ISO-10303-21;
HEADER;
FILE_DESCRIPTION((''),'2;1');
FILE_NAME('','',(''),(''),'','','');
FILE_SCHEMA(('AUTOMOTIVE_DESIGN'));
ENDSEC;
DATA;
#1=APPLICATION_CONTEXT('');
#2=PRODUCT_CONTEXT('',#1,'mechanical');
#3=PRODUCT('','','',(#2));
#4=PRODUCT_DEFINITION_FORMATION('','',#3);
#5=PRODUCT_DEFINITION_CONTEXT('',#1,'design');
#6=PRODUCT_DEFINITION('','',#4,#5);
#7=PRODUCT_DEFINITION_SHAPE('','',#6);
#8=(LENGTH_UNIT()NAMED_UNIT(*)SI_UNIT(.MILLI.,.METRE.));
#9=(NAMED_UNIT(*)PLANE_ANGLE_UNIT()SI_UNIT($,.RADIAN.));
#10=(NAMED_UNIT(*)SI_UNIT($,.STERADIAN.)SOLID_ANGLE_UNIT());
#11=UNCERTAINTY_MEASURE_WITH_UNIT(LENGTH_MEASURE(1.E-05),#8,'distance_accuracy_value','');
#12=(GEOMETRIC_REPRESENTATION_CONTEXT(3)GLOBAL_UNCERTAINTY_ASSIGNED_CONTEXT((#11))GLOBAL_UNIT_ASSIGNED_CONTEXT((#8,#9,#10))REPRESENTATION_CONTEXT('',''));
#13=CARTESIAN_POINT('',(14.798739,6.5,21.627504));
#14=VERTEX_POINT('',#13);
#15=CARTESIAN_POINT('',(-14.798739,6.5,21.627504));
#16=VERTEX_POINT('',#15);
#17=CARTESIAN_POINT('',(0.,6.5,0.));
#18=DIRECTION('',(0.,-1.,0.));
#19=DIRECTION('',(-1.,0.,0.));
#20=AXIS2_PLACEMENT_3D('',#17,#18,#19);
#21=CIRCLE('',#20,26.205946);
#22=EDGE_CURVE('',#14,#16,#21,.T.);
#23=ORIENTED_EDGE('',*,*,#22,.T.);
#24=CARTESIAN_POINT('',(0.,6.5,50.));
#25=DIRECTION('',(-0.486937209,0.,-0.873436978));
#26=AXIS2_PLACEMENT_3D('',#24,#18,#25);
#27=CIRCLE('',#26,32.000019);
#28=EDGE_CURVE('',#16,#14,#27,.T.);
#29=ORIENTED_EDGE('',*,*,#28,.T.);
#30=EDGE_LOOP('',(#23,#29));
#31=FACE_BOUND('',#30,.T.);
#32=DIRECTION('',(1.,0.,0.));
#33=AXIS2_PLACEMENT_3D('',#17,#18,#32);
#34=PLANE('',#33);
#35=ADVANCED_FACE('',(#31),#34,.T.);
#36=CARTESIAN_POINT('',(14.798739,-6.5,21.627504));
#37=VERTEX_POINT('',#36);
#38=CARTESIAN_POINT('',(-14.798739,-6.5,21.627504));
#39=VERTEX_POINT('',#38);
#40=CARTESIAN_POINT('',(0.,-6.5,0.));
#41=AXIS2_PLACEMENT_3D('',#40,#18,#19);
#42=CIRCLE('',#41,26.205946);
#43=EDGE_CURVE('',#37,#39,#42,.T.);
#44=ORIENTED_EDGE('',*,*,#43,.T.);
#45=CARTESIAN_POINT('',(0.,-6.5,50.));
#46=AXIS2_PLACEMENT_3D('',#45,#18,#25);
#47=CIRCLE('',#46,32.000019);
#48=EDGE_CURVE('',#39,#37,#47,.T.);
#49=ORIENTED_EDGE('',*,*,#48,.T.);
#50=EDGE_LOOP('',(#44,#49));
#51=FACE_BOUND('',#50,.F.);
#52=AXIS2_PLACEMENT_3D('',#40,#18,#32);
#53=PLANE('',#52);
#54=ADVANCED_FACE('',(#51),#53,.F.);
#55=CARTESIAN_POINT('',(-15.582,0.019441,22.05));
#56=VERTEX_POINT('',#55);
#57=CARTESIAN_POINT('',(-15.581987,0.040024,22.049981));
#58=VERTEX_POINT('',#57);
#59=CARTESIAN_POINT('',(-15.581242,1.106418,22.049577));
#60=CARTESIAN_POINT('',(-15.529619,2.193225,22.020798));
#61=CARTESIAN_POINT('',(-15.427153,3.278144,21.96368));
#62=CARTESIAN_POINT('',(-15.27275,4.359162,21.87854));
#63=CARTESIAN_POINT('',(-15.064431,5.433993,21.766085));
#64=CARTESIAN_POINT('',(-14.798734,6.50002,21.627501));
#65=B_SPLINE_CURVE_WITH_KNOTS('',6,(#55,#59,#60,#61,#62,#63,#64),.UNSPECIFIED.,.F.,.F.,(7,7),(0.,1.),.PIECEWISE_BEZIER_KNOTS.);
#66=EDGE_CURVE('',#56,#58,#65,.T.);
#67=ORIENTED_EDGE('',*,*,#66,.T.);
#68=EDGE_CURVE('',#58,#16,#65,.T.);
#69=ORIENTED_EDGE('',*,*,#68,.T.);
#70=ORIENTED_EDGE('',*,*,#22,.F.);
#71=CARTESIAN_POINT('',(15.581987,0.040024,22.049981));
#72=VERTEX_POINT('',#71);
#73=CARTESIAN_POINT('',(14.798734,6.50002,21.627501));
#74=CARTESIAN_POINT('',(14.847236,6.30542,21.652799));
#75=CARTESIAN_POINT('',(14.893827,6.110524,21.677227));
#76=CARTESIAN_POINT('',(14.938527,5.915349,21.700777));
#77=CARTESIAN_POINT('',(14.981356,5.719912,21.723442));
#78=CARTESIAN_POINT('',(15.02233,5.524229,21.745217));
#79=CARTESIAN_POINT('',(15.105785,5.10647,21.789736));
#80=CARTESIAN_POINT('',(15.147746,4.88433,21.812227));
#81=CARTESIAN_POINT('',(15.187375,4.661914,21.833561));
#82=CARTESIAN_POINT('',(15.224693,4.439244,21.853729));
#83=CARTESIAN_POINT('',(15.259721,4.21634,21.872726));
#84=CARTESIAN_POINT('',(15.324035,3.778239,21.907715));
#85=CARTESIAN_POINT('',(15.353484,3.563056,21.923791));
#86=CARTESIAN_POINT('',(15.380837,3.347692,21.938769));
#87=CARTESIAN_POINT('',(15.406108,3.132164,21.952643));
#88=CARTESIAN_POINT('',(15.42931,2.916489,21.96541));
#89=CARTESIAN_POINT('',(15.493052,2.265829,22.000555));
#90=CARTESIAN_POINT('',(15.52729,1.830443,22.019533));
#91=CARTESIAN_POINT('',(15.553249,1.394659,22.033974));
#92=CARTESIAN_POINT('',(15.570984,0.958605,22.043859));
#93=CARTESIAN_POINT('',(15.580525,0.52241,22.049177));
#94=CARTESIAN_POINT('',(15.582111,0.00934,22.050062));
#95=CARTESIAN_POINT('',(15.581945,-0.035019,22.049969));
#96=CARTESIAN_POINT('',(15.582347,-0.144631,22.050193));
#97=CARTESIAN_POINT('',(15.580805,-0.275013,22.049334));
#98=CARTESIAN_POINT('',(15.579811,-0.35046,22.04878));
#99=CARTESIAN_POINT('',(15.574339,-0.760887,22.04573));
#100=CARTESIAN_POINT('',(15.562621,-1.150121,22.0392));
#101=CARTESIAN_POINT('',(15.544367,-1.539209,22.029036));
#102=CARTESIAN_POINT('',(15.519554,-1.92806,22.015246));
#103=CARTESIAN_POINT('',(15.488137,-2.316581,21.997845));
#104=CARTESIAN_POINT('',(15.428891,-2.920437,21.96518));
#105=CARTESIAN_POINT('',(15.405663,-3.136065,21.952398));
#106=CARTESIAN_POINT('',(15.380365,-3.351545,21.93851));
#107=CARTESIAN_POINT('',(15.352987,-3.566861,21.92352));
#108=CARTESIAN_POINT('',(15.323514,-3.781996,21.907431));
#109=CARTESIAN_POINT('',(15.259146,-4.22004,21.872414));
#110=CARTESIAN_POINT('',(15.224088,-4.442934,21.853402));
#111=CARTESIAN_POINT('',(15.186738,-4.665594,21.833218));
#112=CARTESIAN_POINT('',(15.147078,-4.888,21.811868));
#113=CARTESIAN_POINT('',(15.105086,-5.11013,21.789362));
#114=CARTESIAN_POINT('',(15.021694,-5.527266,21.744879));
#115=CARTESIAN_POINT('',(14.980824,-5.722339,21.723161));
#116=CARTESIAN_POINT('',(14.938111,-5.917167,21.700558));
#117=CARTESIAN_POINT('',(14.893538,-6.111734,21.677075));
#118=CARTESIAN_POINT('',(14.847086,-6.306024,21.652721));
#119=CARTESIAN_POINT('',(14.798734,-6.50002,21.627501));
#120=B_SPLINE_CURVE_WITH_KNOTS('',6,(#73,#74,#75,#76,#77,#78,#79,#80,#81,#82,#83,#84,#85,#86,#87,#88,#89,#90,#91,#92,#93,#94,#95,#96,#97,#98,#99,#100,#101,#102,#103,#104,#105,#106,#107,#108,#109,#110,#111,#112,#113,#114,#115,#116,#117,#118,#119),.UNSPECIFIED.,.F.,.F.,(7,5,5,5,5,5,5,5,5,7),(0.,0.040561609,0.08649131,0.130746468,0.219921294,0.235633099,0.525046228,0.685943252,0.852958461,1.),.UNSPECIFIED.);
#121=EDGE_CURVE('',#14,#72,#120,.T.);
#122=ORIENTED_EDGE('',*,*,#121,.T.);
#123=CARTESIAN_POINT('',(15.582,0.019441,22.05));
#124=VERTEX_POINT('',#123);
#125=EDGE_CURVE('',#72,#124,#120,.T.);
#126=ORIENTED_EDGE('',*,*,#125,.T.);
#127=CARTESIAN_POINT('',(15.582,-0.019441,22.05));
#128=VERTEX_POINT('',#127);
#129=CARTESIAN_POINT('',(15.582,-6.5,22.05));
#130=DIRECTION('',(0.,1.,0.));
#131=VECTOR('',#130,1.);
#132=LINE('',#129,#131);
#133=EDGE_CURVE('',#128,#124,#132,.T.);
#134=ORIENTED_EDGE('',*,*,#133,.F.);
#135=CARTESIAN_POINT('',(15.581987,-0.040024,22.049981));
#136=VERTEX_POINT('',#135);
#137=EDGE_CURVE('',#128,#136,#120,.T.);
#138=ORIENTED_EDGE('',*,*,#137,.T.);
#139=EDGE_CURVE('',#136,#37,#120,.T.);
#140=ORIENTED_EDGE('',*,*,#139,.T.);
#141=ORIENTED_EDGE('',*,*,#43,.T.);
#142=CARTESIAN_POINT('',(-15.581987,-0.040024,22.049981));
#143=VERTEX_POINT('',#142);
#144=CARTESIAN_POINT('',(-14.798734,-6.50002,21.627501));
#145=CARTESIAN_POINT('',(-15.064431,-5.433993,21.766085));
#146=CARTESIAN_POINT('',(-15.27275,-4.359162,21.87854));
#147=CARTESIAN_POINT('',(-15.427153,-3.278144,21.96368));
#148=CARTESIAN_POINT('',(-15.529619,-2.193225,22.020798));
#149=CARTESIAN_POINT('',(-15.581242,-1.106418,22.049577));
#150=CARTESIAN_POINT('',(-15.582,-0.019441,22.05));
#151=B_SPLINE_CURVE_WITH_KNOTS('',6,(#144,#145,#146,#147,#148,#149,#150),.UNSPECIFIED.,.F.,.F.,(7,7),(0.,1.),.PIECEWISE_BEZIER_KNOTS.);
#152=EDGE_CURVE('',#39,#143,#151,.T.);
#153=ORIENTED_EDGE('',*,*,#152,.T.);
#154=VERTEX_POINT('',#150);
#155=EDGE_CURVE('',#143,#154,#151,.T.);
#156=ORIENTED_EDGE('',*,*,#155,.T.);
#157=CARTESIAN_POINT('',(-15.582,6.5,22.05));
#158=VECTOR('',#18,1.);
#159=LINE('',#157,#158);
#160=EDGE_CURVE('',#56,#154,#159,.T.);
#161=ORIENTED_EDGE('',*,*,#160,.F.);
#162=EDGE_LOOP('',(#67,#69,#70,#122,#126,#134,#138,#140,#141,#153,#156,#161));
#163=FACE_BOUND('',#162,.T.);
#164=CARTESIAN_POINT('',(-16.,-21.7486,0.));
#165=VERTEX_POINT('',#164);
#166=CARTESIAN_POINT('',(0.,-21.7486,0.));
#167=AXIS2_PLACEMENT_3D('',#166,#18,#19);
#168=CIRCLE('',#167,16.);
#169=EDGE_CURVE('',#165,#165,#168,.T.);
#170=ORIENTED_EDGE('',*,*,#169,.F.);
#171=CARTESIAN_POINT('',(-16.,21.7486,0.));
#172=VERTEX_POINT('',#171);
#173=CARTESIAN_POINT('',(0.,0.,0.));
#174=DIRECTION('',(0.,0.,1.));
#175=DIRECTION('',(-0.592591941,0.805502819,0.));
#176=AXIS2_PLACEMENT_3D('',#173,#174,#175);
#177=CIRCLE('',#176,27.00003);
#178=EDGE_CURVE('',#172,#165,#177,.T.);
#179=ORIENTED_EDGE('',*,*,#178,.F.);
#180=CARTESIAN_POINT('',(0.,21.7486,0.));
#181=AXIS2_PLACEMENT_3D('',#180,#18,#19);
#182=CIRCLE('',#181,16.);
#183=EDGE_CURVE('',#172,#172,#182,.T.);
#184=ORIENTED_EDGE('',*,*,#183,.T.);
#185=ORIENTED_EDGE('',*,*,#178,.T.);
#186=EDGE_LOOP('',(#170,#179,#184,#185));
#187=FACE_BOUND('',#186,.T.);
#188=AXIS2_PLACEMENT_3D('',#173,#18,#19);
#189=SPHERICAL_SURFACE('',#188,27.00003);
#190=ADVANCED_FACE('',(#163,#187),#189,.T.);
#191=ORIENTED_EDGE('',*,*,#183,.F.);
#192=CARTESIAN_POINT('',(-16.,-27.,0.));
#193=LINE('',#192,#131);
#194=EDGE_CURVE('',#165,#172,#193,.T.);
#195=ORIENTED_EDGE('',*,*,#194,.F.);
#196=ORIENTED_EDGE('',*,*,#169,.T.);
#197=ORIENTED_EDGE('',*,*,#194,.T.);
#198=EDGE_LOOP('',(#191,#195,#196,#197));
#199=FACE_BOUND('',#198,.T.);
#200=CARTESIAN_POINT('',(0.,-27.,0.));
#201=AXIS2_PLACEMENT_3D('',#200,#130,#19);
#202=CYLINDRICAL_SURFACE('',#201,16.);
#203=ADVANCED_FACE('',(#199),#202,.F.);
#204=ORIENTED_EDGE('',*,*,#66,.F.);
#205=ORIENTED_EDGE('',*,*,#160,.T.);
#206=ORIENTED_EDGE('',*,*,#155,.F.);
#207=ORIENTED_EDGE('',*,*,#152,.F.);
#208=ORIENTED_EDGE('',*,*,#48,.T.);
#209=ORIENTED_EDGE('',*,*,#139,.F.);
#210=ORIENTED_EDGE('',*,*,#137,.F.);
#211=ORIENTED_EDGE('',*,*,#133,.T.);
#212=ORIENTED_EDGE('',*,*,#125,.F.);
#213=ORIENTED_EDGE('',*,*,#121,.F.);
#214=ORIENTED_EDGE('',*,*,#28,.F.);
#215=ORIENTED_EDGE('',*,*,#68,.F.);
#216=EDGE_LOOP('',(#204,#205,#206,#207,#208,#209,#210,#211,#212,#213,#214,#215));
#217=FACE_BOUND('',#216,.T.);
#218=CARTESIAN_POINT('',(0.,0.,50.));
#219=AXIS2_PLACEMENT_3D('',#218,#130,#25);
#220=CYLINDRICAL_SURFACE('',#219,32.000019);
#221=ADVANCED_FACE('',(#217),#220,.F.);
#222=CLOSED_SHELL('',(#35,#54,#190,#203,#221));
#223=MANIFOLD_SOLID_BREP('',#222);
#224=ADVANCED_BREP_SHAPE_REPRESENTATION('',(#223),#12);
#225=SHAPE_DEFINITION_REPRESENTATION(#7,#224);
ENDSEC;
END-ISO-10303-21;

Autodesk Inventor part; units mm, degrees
ref_plane "YZ Plane" through (0, 0, 0) normal (1, 0, 0) x (0, 1, 0)
ref_plane "XZ Plane" through (0, 0, 0) normal (0, 1, 0) x (-1, 0, 0)
sketch "Sketch1" plane through (0, 0, 0) normal (0, 0, 1) x (1, 0, 0)
  line L0 (-16, -27) -> (-16, 27)
  line L1 (-16, 27) -> (16, 27)
  line L2 (16, 27) -> (16, -27)
  line L3 (16, -27) -> (-16, -27)
  line L4 (-16, -27) -> (16, 27) construction
  line L5 (-16, 27) -> (16, -27) construction
  line L6 (0, 27) -> (0, -27) construction
  arc A0 (-16, 21.7486) -> (-16, -21.7486) centre (0, 0) ccw
  arc A1 (16, -21.7486) -> (16, 21.7486) centre (0, 0) ccw
  line L7 (0, 0) -> (51.7536, 0) construction
  dimension "d1" = 32
  dimension "d2" = 27
revolve "Revolution1" add sketch "Sketch1" angle 360 about axis through (0, 27, 0) along (0, -1, 0) contours A0 L0
ref_plane "Work Plane5" through (16, -27, 0) normal (0, -1, 0) x (1, 0, 0)
ref_plane "Work Plane7" through (0, 0, 0) normal (0, -1, 0) x (1, 0, 0)
ref_plane "Work Plane6" through (0, 27, 0) normal (0, -1, 0) x (1, 0, 0)
sketch "Sketch4" plane through (0, 0, 0) normal (0, -1, 0) x (1, 0, 0)
  line L0 (0, 0) -> (0, 50) construction
  arc A0 (-15.582, 22.05) -> (15.582, 22.05) centre (0, 50) ccw
  circle A1 centre (0, 0) radius 27
  line L1 (0, 50) -> (-15.582, 22.05) construction
  line L2 (0, 50) -> (15.582, 22.05) construction
  dimension "d10" = 50
  dimension "d11" = 32
  dimension "d12" = 58.279
  dimension "d13" = 24.3468
  dimension "d14" = 0
extrude "Extrusion1" cut sketch "Sketch4" along normal mid plane 13 contours A1 A0 picked at (1.0831, 23.9191)
properties part number "Ball" material "Stainless Steel"
